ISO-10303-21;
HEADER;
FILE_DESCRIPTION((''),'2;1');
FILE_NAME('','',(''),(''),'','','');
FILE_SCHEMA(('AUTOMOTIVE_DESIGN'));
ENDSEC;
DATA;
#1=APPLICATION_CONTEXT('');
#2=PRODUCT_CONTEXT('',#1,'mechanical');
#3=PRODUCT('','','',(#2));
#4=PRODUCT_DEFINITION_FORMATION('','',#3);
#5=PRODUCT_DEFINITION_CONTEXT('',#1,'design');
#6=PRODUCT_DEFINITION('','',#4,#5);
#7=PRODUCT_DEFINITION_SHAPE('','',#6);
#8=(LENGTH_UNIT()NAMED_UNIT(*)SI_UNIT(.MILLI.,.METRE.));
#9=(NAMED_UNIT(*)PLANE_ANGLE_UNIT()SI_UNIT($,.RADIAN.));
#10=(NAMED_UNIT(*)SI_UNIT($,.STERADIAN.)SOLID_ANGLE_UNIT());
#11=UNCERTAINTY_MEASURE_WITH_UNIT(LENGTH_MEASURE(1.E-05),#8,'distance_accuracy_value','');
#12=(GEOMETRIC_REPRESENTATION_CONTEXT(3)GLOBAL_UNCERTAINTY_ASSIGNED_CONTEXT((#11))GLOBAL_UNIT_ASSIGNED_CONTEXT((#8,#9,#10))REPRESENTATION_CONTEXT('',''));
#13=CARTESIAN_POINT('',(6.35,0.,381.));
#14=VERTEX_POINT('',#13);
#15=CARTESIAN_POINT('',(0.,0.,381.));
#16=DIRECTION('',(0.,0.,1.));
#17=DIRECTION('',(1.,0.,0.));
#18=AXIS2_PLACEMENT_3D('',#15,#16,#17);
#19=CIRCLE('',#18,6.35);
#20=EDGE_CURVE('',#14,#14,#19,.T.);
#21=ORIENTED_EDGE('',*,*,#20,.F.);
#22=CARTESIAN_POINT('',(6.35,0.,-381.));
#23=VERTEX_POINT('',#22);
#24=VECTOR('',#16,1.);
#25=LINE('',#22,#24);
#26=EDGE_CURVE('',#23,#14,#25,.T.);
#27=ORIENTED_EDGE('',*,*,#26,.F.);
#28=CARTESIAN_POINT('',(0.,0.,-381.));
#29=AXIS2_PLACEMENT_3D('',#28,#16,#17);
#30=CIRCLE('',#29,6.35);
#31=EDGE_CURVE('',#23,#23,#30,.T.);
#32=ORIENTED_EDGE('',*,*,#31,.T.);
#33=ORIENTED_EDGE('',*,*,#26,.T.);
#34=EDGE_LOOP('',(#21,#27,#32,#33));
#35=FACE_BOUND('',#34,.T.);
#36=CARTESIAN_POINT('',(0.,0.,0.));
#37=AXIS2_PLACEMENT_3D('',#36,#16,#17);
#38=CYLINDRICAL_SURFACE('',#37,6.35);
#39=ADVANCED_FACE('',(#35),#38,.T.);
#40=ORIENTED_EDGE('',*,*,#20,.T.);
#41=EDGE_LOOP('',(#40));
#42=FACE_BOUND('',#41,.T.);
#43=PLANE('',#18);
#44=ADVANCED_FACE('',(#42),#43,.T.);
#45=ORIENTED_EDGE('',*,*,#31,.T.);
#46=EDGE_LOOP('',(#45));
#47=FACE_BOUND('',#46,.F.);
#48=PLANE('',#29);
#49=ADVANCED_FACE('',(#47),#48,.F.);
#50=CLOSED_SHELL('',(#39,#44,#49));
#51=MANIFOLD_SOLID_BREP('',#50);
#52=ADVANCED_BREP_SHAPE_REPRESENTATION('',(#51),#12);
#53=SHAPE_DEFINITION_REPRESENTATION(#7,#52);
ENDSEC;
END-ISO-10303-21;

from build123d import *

# Parameters (mm, degrees)
SKETCH1_R           = 6.35
BOSS_EXTRUDE1_DEPTH = 381


with BuildPart() as part:
    # Sketch1 → Boss-Extrude1 (new body, symmetric)
    with BuildSketch(Plane.XY):
        Circle(SKETCH1_R)
    extrude(amount=BOSS_EXTRUDE1_DEPTH, both=True)


solid = part.part
